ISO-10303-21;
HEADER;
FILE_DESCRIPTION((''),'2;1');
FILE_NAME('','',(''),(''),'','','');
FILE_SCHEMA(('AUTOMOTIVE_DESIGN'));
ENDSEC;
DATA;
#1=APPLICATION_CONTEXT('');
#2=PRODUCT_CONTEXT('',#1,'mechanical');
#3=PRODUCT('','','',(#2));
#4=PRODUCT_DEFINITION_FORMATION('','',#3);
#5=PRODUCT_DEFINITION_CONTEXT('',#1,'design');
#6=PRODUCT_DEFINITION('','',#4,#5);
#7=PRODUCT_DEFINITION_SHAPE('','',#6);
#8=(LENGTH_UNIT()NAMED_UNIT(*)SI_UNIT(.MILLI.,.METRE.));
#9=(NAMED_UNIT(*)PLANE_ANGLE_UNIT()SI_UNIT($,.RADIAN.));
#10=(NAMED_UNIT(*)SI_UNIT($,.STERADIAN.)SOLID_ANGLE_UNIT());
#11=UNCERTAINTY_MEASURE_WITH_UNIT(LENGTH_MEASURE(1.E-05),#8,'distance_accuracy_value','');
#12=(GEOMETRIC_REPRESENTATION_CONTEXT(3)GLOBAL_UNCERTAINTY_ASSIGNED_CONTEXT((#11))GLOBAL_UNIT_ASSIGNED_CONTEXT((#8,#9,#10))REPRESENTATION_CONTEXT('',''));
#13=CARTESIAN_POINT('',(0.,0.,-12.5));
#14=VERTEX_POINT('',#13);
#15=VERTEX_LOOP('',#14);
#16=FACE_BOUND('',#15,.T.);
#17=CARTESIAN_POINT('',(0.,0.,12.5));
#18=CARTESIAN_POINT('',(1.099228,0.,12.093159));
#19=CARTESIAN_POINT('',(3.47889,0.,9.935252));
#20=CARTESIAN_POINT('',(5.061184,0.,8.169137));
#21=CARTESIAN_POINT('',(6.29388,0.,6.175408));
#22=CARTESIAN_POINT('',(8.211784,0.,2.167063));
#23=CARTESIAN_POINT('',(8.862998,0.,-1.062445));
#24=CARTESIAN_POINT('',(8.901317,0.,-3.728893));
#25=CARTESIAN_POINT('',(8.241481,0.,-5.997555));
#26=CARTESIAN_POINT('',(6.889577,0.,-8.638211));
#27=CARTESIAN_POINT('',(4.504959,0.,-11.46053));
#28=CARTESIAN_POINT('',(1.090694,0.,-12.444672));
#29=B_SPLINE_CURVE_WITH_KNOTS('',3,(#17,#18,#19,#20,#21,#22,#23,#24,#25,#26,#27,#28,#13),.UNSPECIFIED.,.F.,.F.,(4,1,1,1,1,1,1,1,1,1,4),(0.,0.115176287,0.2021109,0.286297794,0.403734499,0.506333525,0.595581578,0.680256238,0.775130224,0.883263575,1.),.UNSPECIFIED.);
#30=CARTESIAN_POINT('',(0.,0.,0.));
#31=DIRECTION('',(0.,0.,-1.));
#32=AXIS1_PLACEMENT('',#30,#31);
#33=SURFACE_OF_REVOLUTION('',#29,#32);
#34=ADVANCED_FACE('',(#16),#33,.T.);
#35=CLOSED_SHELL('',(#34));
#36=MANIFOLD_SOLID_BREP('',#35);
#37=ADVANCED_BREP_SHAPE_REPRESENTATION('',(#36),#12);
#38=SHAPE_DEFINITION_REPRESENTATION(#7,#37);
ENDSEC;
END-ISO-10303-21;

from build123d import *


with BuildPart() as f1:
    # F0 (on Front) → F1 (revolve)
    with BuildSketch(Plane.XZ):
        with BuildLine():
            add(Edge.make_bspline(
                [(0, 12.5), (1.0992277327, 12.0931589291), (3.4788903415, 9.9352517548), (5.0611843947, 8.1691368154), (6.2938799065, 6.1754081255), (8.2117838743, 2.1670629345), (8.8629982544, -1.0624453737), (8.9013172283, -3.7288927615), (8.2414814004, -5.9975551546), (6.8895765422, -8.6382110545), (4.5049591963, -11.460530085), (1.0906940857, -12.4446720767), (0, -12.5)],
                knots=[0, 0, 0, 0, 0.1151762872, 0.2021108996, 0.2862977941, 0.4037344994, 0.5063335252, 0.5955815782, 0.6802562377, 0.7751302237, 0.8832635748, 1, 1, 1, 1], degree=3))
            Line((0, 12.5), (0, -12.5))
        make_face()
    revolve(axis=Axis((0, 0, 0), (0, 0, -1)))


solid = f1.part
